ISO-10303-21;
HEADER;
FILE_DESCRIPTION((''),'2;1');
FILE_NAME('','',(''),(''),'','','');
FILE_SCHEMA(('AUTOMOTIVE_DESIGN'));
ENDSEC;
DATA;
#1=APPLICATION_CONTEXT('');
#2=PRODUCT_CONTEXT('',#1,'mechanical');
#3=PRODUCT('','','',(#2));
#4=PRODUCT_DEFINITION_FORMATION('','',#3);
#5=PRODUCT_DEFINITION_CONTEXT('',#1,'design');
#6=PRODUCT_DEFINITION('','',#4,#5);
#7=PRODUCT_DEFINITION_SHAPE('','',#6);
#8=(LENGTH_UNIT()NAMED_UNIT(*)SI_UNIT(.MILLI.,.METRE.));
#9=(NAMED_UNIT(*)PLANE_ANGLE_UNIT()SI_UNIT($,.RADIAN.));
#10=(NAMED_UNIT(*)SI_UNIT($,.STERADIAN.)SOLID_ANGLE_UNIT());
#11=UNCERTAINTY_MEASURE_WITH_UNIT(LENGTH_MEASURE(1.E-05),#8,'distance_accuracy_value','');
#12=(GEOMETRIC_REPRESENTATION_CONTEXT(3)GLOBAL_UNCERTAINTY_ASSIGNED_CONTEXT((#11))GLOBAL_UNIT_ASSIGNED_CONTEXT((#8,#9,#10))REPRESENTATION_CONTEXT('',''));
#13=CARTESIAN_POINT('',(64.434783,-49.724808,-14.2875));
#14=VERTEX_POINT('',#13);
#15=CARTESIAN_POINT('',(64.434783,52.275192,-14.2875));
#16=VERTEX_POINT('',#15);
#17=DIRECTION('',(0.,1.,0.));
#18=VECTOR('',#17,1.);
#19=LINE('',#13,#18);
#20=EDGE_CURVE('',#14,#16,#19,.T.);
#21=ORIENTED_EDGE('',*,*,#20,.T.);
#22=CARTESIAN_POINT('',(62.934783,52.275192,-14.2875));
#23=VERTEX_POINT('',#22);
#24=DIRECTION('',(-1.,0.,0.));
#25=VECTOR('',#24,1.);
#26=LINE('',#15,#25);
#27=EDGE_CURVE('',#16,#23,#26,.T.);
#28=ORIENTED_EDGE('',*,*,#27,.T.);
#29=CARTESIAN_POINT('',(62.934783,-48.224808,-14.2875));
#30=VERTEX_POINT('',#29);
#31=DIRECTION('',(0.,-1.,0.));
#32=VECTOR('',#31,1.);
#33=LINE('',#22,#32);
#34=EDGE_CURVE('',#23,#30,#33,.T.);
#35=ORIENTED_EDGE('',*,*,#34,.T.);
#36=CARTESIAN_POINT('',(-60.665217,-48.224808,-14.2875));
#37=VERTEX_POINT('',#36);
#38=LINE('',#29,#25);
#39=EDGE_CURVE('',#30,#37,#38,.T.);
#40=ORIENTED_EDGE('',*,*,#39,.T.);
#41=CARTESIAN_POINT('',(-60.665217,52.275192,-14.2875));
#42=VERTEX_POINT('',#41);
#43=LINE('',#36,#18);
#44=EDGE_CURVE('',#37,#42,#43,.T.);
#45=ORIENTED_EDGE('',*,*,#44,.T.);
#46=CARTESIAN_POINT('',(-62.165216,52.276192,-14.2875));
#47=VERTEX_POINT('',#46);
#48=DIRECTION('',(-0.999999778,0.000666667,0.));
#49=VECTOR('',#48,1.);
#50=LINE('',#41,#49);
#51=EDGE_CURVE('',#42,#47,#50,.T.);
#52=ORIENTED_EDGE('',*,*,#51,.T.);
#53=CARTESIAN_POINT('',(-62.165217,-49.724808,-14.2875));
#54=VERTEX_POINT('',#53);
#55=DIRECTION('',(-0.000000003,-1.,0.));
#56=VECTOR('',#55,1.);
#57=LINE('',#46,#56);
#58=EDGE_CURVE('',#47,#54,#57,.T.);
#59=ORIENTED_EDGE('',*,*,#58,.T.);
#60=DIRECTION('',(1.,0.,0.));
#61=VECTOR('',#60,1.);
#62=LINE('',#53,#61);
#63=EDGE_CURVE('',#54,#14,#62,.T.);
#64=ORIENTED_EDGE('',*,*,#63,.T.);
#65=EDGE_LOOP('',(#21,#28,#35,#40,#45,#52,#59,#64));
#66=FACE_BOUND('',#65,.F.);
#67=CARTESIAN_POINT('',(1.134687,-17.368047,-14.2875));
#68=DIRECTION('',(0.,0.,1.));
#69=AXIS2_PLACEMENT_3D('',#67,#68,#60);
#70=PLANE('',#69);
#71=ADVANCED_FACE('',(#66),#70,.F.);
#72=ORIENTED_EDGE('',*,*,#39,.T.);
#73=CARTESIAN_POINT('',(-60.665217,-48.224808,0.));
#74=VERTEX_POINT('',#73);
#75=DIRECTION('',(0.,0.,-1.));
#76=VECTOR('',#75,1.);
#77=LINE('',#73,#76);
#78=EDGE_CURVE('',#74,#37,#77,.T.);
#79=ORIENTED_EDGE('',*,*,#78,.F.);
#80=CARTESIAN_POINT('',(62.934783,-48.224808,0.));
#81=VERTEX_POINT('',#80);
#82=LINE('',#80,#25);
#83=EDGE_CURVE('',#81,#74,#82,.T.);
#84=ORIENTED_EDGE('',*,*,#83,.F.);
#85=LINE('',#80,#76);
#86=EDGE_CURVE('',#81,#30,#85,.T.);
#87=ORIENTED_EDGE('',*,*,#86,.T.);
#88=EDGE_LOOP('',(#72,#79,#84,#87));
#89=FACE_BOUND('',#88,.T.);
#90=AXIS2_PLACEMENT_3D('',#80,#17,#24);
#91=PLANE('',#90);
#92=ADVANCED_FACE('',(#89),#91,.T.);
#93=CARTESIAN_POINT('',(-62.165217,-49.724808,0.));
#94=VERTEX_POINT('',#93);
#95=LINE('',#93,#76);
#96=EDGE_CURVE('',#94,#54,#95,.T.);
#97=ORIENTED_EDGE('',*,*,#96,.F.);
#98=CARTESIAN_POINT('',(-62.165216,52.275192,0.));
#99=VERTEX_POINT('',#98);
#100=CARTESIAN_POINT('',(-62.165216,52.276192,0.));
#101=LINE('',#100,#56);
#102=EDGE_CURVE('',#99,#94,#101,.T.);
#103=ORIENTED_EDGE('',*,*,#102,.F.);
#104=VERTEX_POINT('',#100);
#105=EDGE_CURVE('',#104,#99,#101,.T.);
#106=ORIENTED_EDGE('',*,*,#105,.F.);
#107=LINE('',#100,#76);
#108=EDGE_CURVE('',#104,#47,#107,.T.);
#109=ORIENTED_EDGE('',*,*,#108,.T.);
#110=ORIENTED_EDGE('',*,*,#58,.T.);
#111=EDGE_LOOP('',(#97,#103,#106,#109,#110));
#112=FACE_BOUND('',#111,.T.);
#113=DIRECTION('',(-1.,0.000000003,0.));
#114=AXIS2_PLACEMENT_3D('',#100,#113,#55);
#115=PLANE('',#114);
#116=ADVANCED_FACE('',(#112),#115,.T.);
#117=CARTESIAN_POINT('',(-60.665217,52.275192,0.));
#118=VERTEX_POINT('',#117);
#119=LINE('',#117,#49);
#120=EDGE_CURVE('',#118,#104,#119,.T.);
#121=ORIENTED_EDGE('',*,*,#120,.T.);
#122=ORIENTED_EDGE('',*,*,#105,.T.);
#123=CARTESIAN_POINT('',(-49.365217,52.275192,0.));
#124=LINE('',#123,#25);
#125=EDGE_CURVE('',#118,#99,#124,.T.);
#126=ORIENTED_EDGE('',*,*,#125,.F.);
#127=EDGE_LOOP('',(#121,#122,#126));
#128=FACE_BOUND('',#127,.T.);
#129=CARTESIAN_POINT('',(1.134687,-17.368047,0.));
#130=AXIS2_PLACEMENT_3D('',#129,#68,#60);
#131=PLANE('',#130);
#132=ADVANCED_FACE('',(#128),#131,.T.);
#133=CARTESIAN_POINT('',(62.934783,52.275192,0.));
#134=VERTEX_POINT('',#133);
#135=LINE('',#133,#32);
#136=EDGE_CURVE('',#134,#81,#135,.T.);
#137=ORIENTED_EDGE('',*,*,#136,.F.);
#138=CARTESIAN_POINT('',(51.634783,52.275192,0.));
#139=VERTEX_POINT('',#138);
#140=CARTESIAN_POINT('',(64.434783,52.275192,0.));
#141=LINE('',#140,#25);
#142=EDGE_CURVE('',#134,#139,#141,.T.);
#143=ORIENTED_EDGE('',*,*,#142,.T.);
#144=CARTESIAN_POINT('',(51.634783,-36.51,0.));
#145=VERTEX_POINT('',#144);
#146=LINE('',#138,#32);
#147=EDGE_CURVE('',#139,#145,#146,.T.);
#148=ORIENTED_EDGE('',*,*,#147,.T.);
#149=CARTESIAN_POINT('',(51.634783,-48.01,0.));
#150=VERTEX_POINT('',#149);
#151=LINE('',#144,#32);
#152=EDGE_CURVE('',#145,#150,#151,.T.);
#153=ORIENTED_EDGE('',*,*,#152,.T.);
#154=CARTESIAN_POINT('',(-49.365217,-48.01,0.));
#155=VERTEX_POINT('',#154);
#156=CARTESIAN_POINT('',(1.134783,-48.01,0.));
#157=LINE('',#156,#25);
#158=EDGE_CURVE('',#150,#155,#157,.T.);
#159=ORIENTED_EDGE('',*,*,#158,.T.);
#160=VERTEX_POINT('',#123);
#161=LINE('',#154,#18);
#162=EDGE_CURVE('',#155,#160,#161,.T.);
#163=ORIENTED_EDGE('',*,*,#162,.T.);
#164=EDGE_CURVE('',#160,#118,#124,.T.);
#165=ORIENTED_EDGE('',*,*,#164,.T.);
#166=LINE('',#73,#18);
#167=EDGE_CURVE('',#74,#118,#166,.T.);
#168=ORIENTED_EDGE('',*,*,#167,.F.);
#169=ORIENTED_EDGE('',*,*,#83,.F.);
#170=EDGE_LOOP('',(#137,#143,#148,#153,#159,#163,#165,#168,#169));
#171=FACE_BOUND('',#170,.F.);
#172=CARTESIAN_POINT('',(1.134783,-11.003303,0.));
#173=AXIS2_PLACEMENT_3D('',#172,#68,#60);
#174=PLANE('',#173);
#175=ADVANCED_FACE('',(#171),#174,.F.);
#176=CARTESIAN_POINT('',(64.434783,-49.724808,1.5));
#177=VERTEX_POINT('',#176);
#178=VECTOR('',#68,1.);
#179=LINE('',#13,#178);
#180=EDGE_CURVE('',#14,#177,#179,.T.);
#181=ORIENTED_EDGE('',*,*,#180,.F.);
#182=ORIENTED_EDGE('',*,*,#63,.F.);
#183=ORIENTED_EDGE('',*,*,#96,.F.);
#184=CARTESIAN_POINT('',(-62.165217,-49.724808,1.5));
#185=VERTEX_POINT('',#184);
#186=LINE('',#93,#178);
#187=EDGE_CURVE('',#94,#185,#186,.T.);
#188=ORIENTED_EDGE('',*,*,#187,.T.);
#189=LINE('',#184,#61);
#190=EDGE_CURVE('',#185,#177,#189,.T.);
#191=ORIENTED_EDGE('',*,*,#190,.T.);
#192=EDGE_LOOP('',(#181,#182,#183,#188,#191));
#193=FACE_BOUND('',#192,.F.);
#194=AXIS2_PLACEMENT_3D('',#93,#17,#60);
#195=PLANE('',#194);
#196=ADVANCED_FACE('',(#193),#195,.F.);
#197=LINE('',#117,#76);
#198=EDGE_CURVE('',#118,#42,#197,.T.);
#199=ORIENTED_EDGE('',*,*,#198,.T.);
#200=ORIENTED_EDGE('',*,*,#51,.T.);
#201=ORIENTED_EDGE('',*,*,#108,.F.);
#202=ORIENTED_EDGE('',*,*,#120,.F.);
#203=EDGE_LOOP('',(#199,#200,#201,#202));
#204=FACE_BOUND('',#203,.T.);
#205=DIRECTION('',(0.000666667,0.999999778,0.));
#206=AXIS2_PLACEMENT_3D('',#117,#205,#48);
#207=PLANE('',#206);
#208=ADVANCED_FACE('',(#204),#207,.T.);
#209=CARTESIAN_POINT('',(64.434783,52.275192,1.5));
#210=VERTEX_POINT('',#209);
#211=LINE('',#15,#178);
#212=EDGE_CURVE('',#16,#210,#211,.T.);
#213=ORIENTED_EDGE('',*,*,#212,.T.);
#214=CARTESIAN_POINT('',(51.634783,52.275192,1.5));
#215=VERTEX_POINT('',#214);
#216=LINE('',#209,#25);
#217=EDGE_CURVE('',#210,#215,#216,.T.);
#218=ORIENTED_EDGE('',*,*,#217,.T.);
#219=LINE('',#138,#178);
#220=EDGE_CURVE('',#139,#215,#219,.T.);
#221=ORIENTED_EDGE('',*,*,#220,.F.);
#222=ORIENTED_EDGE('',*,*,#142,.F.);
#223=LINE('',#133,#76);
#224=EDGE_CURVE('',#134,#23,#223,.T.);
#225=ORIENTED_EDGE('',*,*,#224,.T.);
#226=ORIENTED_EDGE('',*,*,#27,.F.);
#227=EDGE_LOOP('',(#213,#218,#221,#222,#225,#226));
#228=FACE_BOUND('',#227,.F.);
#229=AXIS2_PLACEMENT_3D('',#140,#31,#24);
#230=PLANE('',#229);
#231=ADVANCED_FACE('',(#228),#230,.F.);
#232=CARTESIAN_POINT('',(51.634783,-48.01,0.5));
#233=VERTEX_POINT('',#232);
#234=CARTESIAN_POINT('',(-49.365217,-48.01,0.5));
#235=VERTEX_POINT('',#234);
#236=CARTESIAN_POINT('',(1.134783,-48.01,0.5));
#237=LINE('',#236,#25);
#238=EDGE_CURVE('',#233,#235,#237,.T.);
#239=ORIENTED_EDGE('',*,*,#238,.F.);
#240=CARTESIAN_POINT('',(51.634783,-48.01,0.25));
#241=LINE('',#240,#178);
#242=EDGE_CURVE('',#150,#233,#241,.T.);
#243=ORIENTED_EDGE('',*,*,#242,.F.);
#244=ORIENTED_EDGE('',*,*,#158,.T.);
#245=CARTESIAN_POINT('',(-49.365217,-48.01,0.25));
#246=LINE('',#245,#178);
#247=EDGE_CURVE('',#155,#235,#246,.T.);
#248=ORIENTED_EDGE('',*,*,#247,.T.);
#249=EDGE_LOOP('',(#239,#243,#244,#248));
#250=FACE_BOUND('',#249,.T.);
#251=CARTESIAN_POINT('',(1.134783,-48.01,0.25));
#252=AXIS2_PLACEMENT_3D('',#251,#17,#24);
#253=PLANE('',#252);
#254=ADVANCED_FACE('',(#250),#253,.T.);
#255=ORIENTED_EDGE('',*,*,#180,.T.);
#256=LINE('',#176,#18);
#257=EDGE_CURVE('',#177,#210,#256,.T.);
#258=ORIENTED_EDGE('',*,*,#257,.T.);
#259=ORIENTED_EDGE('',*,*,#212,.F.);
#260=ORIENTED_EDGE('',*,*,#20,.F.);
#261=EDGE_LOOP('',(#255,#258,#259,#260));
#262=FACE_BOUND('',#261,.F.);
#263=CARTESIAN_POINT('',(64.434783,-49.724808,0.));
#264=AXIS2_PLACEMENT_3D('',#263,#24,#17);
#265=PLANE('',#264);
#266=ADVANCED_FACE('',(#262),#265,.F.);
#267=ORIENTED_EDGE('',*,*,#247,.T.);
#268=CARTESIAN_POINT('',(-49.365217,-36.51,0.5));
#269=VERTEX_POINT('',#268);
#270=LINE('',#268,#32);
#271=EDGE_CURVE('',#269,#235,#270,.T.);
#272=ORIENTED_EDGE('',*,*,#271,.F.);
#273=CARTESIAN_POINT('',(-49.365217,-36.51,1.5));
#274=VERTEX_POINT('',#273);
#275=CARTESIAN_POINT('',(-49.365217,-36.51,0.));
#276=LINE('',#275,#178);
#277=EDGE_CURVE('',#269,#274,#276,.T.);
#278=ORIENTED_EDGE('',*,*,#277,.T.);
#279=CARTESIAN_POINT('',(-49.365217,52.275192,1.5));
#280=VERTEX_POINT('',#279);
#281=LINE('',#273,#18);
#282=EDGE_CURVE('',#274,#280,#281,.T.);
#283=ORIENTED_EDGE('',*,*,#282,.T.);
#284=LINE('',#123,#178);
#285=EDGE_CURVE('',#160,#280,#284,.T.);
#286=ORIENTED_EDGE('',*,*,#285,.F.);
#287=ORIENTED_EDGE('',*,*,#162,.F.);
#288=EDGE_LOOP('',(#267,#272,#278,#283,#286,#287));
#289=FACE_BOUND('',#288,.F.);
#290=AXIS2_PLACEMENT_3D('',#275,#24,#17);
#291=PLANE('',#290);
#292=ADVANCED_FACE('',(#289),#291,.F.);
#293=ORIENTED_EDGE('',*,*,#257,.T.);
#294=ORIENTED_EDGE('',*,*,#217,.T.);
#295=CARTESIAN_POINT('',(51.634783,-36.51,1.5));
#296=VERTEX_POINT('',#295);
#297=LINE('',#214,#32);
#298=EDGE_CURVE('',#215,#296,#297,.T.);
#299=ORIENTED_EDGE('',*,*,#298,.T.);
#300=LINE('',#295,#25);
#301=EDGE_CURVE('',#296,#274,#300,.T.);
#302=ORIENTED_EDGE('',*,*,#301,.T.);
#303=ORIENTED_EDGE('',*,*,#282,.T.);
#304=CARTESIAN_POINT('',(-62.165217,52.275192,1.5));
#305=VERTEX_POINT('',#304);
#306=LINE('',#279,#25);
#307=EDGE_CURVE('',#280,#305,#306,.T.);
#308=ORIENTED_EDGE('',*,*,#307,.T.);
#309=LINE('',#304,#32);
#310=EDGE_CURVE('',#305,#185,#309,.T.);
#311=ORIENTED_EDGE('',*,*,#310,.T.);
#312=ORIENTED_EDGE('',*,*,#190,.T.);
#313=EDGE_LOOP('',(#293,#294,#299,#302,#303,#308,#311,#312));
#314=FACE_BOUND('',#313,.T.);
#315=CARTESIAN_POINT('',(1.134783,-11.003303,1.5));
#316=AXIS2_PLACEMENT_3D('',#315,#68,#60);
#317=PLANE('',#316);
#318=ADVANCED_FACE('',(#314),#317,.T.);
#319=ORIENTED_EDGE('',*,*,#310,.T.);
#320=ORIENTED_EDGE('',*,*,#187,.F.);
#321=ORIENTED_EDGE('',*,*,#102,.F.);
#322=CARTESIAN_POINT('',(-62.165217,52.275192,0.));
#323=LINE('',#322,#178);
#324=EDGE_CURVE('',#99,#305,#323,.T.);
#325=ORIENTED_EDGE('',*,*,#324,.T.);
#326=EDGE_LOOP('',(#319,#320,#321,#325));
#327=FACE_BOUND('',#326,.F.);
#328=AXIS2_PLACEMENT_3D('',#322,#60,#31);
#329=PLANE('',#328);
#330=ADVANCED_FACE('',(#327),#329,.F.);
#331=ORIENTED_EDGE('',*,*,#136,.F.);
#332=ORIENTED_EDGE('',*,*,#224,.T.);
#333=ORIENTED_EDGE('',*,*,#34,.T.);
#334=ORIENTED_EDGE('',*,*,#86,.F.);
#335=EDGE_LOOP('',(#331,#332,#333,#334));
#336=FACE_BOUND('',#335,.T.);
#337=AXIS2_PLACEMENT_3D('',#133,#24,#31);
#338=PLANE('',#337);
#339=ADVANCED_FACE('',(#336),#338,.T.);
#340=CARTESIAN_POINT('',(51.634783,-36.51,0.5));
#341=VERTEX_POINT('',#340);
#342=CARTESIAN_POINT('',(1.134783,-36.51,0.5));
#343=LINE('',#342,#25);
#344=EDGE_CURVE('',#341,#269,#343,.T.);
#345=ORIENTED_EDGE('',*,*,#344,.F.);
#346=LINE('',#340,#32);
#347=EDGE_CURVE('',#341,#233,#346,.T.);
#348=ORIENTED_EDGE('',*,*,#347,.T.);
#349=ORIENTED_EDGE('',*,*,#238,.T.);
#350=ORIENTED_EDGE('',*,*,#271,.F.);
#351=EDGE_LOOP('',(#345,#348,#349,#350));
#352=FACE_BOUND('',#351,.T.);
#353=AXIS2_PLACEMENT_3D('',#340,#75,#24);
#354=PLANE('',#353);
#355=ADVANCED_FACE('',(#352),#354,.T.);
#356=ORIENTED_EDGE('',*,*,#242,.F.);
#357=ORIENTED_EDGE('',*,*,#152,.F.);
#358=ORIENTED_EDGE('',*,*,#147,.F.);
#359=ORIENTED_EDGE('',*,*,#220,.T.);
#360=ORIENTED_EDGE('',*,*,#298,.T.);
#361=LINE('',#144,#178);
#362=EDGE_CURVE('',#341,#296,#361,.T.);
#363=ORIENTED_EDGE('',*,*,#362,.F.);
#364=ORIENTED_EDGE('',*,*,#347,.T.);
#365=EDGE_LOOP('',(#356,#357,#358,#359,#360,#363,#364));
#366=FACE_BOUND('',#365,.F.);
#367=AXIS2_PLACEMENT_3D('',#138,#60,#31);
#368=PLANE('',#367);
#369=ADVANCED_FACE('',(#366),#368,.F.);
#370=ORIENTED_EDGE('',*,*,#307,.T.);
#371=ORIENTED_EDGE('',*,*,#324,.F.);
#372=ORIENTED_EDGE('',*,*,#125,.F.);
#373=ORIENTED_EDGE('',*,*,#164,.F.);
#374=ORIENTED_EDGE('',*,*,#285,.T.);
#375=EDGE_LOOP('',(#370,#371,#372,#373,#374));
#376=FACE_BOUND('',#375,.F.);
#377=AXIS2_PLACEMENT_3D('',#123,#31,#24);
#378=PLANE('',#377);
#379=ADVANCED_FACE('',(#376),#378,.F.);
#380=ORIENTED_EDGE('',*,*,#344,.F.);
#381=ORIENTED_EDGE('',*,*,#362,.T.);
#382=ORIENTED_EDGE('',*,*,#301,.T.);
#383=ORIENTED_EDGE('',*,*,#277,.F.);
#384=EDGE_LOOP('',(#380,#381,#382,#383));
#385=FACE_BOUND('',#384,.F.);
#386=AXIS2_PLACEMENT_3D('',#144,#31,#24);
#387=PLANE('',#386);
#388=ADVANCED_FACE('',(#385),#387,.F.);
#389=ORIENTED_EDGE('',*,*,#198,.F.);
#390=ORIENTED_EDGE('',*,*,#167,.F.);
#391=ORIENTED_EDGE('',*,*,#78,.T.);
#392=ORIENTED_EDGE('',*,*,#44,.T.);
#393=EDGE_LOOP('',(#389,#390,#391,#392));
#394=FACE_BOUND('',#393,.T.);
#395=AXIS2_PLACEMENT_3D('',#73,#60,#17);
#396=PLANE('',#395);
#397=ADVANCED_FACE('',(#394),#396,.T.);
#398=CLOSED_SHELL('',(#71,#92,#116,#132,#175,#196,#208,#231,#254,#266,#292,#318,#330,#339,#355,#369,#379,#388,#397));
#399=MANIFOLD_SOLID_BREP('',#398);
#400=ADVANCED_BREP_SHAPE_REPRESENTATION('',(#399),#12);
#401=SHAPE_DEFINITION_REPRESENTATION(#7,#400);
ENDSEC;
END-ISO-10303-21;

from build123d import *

# Parameters (mm, degrees)
F2_DEPTH = 14.2875
F4_DEPTH = 1.5
F5_W     = 101.0000000008
F5_H     = 0.5
F6_DEPTH = 11.5


with BuildPart() as f2:
    # F1 (on Top) → F2 (new body)
    with BuildSketch(Plane.XY):
        Polygon((-62.1652165414, -49.7248080077), (64.4347834586, -49.7248080077), (64.4347834586, 52.2751919923), (62.9347834586, 52.2751919923), (62.9347834586, -48.2248080077), (-60.6652165414, -48.2248080077), (-60.6652165414, 52.2751919923), (-62.165216208, 52.2761919923), align=None)
    extrude(amount=-F2_DEPTH)

    # F3 (on face) → F4 (join)
    with BuildSketch(Plane.XY):
        Polygon((-62.1652165414, -36.51), (-62.1652165414, -49.7248080077), (-49.3652165414, -49.7248080077), (51.6347834586, -49.7248080077), (64.4347834586, -49.7248080077), (64.4347834586, -36.51), (64.4347834586, 52.2751919923), (51.6347834586, 52.2751919923), (51.6347834586, -36.51), (-49.3652165414, -36.51), (-49.3652165414, 52.2751919923), (-62.1652165414, 52.2751919923), align=None)
    extrude(amount=F4_DEPTH)

    # F5 (on face) → F6 (cut)
    with BuildSketch(Plane(origin=(0, -36.51, 0), x_dir=(-1, 0, 0), z_dir=(0, 1, 0))):
        with Locations((-1.134783459, 0.25)):
            Rectangle(F5_W, F5_H)
    extrude(amount=-F6_DEPTH, mode=Mode.SUBTRACT)


solid = f2.part
